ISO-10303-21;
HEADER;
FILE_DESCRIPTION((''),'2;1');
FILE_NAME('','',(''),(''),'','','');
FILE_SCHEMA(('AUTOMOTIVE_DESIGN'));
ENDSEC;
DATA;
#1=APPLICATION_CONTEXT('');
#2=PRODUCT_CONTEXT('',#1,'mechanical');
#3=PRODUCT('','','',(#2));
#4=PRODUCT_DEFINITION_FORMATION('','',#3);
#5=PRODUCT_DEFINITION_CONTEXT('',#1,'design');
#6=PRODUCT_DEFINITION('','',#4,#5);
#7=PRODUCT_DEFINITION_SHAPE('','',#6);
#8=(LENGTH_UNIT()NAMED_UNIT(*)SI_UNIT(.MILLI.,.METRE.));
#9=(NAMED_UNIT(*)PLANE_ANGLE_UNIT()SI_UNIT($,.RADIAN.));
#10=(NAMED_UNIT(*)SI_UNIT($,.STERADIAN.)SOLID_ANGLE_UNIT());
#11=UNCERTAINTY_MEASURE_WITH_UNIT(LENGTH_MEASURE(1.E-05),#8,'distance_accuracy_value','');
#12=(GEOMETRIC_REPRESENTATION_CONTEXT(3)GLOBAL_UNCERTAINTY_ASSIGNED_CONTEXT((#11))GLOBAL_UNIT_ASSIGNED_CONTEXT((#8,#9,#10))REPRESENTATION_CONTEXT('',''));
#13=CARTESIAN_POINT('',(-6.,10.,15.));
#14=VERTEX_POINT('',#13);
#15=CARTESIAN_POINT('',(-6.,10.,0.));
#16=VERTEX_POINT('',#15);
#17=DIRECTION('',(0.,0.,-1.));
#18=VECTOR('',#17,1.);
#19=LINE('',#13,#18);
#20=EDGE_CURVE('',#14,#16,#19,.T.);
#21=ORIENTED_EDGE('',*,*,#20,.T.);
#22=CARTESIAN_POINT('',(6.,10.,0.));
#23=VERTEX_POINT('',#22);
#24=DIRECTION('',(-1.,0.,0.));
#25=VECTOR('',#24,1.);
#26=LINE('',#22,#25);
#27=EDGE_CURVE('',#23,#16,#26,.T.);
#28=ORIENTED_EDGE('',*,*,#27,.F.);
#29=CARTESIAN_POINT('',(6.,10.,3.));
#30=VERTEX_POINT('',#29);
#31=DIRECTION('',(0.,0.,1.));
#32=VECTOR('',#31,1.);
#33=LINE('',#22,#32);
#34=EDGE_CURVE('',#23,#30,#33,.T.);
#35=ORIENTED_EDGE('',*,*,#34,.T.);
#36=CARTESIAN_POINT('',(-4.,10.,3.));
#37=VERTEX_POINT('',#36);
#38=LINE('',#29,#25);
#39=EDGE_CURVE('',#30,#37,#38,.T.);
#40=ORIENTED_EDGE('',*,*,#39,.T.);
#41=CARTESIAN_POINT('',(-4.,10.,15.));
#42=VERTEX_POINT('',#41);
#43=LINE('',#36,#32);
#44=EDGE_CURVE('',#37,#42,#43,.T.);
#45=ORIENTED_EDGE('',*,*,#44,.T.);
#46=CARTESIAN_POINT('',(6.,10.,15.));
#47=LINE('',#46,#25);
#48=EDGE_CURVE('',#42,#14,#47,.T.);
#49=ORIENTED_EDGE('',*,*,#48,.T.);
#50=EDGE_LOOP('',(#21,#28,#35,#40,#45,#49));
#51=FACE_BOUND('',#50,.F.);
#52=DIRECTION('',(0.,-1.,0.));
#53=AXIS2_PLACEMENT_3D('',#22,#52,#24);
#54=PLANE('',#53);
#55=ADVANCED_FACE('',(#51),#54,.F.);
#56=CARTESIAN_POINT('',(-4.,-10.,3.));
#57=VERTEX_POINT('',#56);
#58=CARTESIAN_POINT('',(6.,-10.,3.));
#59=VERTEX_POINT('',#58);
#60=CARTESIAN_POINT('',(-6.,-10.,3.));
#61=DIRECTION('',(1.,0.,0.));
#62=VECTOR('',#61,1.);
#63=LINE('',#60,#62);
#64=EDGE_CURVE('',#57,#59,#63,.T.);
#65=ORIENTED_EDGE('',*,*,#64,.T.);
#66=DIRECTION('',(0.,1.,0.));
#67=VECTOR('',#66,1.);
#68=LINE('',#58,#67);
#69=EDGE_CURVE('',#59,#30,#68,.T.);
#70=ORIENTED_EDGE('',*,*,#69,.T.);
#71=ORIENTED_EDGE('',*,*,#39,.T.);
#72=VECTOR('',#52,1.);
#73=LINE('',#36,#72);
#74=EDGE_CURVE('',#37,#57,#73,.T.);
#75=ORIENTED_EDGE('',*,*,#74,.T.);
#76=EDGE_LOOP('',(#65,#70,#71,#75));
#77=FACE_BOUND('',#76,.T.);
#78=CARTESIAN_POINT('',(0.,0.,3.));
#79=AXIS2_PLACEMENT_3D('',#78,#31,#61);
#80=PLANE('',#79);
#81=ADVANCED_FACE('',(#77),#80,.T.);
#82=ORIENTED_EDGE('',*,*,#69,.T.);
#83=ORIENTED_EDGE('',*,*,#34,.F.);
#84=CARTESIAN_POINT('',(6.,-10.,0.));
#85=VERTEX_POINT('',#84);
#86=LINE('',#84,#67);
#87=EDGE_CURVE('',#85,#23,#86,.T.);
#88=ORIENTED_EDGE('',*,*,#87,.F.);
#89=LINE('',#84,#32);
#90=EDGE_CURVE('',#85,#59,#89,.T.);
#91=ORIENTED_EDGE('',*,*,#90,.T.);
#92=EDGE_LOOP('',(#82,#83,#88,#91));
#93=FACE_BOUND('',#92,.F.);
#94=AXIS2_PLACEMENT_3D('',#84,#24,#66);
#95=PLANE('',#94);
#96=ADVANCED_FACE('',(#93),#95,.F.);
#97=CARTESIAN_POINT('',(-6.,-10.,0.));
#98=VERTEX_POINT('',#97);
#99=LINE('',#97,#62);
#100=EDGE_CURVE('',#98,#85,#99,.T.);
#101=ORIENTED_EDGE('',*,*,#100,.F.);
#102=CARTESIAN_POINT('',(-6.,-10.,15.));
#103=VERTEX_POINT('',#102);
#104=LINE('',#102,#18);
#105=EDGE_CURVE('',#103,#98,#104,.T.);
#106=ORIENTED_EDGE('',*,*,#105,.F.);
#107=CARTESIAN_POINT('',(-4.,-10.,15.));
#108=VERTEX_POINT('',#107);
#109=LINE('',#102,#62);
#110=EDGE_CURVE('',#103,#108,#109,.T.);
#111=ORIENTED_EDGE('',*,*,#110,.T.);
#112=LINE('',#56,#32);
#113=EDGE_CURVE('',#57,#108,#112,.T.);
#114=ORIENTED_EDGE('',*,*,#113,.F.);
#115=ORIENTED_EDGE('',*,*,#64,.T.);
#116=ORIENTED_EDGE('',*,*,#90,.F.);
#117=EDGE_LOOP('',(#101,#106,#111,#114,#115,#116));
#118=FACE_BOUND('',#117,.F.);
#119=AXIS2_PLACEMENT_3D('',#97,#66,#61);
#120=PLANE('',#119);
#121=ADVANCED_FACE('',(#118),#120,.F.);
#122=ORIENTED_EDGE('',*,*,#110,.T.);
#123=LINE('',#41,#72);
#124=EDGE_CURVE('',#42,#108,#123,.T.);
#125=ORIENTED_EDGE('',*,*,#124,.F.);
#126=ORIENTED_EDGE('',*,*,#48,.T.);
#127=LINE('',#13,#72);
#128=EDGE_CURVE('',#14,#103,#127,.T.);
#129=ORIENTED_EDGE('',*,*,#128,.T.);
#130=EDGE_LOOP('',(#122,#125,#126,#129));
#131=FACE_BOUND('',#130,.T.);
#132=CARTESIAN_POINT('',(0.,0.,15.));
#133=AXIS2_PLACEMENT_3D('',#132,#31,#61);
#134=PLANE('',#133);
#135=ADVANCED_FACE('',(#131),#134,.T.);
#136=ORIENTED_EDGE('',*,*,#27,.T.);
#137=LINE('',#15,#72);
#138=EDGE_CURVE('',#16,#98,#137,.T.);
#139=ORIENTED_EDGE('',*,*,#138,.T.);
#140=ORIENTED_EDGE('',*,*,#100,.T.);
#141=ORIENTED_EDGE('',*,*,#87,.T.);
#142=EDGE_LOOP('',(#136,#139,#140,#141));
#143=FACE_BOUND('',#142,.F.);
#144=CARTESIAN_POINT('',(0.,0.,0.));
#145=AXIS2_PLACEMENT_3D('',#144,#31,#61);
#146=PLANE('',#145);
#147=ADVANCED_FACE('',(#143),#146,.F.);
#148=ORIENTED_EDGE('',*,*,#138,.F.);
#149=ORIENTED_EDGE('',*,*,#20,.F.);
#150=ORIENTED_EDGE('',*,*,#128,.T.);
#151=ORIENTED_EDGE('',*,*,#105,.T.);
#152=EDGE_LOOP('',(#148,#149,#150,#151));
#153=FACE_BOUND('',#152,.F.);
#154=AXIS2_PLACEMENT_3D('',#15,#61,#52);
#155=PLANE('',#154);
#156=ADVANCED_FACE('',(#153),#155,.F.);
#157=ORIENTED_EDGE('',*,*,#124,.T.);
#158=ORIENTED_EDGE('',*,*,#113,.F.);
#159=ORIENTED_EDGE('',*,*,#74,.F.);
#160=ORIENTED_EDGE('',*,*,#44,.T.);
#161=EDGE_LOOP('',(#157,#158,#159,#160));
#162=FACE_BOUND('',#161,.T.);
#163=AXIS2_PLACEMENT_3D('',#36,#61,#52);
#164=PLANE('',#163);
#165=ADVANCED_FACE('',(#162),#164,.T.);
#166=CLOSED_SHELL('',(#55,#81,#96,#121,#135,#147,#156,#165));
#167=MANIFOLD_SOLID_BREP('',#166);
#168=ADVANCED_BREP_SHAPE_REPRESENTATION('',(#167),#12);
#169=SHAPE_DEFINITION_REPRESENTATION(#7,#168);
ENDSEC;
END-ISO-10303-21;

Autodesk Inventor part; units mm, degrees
ref_plane "YZ Plane" through (0, 0, 0) normal (1, 0, 0) x (0, 1, 0)
ref_plane "XZ Plane" through (0, 0, 0) normal (0, 1, 0) x (-1, 0, 0)
ref_plane "XY Plane" through (0, 0, 0) normal (0, 0, 1) x (1, 0, 0)
sketch "Sketch1" plane through (0, 0, 0) normal (0, 0, 1) x (1, 0, 0)
  line L0 (6, -10) -> (6, 10) projected
  line L1 (6, 10) -> (-6, 10) projected
  line L2 (-6, 10) -> (-6, -10) projected
  line L3 (-6, -10) -> (6, -10) projected
  point P0 (0, 0)
extrude "Extrusion1" add sketch "Sketch1" along normal blind 3
sketch "Sketch2" plane through (0, 0, 3) normal (0, 0, 1) x (1, 0, 0)
  line L0 (6, 10) -> (-6, 10) projected
  line L1 (-6, 10) -> (-6, -10) projected
  line L2 (-6, -10) -> (6, -10) projected
  line L3 (-6, 10) -> (-4, 10)
  line L4 (-4, 10) -> (-4, -10)
  line L5 (-6, -10) -> (-6, 10)
  point P0 (0, 0)
  dimension "d2" = 2
extrude "Extrusion2" add sketch "Sketch2" along normal blind 12
properties part number "commutator_attatchment_pulley_bridge"
